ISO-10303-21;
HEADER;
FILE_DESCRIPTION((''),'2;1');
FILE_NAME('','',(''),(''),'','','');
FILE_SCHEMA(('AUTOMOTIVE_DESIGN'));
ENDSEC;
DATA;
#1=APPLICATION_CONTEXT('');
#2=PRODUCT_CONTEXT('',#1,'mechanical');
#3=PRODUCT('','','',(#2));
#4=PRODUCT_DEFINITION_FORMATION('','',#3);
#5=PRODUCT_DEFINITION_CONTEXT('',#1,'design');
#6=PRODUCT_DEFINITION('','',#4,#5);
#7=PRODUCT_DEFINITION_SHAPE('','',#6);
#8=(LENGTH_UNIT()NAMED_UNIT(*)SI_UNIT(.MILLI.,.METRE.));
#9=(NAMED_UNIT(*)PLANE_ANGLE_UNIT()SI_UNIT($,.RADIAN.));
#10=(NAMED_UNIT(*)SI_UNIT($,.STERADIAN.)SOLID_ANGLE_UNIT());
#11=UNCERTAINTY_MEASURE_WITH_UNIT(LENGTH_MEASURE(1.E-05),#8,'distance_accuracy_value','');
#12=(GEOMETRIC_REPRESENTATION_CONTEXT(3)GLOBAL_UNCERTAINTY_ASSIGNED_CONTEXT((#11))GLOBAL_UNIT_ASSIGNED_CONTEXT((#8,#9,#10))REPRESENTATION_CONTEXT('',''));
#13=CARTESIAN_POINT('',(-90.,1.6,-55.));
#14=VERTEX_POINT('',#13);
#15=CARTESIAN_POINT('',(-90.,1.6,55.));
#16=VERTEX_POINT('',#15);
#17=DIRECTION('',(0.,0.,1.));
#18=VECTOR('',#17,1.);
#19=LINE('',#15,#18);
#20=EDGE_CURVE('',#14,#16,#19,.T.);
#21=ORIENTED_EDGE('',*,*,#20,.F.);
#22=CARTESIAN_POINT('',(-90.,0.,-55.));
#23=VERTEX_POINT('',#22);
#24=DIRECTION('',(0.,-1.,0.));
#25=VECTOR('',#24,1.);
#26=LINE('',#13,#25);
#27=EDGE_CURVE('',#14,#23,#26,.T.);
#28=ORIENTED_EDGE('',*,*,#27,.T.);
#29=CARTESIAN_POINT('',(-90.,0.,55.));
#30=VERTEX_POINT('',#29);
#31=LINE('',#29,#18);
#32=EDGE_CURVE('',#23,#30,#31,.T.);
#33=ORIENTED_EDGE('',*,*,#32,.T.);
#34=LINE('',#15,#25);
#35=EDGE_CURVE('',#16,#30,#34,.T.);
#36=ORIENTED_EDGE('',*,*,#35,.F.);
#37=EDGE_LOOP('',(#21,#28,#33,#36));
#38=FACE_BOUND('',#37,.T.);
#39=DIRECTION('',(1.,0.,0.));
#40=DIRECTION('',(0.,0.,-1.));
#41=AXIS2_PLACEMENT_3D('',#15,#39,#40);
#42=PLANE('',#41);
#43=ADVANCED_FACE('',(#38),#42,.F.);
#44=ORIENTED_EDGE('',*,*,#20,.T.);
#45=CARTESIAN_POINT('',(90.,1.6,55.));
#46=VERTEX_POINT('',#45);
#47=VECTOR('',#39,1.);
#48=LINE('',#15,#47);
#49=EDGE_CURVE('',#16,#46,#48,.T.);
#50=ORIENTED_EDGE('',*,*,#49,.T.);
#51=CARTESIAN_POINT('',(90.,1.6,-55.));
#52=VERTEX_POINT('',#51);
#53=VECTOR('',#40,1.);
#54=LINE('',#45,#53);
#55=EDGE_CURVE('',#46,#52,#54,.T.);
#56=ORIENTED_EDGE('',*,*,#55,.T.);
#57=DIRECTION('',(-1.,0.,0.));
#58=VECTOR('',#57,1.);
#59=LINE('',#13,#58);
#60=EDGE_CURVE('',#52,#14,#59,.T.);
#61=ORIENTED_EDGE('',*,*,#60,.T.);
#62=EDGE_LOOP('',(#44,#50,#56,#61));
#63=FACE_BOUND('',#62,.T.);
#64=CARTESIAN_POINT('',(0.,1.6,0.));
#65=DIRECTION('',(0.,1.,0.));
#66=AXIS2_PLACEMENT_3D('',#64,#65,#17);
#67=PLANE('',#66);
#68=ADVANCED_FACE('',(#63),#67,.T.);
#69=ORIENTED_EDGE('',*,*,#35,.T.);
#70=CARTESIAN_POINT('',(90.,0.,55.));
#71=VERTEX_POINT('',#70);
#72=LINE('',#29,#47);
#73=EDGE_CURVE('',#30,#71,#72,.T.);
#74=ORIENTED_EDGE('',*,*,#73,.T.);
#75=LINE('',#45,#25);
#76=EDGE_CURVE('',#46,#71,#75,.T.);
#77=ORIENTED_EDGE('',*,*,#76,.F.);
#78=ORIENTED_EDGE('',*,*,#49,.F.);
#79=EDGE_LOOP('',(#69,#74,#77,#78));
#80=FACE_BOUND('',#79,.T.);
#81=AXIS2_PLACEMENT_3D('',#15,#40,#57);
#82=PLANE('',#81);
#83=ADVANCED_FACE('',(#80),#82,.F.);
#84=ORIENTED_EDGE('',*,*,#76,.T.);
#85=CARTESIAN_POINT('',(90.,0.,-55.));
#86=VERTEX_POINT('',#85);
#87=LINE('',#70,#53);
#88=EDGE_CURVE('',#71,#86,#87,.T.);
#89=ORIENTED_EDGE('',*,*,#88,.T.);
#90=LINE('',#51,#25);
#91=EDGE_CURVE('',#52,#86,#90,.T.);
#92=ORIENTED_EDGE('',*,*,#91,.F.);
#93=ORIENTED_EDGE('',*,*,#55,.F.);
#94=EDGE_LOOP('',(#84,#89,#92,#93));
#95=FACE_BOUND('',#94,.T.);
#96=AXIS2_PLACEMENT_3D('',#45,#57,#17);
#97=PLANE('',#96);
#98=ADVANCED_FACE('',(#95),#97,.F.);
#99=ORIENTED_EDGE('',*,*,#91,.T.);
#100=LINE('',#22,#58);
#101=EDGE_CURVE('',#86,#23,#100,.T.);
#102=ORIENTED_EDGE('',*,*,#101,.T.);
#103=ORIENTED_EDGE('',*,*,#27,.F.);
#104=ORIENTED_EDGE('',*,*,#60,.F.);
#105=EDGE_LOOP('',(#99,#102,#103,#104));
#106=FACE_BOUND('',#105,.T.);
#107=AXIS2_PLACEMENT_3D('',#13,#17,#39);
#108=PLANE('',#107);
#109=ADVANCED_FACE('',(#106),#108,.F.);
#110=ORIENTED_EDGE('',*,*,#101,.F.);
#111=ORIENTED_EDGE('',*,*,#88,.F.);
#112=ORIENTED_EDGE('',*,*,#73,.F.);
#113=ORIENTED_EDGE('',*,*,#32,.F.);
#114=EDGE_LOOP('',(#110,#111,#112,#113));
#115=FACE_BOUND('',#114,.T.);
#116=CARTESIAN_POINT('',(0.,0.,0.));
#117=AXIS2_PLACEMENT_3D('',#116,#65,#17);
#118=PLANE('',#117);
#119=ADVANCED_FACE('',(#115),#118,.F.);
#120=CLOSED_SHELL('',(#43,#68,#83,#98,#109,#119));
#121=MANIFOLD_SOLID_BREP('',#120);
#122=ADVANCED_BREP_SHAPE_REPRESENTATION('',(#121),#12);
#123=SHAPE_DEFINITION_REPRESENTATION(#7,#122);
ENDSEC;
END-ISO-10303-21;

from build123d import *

# Parameters (mm, degrees)
SKETCH1_W           = 180
SKETCH1_H           = 110
BOSS_EXTRUDE1_DEPTH = 1.6


with BuildPart() as part:
    # Sketch1 → Boss-Extrude1 (new body)
    with BuildSketch(Plane(origin=(0, 0, 0), x_dir=(1, 0, 0), z_dir=(0, 1, 0))):
        Rectangle(SKETCH1_W, SKETCH1_H)
    extrude(amount=BOSS_EXTRUDE1_DEPTH)


solid = part.part
